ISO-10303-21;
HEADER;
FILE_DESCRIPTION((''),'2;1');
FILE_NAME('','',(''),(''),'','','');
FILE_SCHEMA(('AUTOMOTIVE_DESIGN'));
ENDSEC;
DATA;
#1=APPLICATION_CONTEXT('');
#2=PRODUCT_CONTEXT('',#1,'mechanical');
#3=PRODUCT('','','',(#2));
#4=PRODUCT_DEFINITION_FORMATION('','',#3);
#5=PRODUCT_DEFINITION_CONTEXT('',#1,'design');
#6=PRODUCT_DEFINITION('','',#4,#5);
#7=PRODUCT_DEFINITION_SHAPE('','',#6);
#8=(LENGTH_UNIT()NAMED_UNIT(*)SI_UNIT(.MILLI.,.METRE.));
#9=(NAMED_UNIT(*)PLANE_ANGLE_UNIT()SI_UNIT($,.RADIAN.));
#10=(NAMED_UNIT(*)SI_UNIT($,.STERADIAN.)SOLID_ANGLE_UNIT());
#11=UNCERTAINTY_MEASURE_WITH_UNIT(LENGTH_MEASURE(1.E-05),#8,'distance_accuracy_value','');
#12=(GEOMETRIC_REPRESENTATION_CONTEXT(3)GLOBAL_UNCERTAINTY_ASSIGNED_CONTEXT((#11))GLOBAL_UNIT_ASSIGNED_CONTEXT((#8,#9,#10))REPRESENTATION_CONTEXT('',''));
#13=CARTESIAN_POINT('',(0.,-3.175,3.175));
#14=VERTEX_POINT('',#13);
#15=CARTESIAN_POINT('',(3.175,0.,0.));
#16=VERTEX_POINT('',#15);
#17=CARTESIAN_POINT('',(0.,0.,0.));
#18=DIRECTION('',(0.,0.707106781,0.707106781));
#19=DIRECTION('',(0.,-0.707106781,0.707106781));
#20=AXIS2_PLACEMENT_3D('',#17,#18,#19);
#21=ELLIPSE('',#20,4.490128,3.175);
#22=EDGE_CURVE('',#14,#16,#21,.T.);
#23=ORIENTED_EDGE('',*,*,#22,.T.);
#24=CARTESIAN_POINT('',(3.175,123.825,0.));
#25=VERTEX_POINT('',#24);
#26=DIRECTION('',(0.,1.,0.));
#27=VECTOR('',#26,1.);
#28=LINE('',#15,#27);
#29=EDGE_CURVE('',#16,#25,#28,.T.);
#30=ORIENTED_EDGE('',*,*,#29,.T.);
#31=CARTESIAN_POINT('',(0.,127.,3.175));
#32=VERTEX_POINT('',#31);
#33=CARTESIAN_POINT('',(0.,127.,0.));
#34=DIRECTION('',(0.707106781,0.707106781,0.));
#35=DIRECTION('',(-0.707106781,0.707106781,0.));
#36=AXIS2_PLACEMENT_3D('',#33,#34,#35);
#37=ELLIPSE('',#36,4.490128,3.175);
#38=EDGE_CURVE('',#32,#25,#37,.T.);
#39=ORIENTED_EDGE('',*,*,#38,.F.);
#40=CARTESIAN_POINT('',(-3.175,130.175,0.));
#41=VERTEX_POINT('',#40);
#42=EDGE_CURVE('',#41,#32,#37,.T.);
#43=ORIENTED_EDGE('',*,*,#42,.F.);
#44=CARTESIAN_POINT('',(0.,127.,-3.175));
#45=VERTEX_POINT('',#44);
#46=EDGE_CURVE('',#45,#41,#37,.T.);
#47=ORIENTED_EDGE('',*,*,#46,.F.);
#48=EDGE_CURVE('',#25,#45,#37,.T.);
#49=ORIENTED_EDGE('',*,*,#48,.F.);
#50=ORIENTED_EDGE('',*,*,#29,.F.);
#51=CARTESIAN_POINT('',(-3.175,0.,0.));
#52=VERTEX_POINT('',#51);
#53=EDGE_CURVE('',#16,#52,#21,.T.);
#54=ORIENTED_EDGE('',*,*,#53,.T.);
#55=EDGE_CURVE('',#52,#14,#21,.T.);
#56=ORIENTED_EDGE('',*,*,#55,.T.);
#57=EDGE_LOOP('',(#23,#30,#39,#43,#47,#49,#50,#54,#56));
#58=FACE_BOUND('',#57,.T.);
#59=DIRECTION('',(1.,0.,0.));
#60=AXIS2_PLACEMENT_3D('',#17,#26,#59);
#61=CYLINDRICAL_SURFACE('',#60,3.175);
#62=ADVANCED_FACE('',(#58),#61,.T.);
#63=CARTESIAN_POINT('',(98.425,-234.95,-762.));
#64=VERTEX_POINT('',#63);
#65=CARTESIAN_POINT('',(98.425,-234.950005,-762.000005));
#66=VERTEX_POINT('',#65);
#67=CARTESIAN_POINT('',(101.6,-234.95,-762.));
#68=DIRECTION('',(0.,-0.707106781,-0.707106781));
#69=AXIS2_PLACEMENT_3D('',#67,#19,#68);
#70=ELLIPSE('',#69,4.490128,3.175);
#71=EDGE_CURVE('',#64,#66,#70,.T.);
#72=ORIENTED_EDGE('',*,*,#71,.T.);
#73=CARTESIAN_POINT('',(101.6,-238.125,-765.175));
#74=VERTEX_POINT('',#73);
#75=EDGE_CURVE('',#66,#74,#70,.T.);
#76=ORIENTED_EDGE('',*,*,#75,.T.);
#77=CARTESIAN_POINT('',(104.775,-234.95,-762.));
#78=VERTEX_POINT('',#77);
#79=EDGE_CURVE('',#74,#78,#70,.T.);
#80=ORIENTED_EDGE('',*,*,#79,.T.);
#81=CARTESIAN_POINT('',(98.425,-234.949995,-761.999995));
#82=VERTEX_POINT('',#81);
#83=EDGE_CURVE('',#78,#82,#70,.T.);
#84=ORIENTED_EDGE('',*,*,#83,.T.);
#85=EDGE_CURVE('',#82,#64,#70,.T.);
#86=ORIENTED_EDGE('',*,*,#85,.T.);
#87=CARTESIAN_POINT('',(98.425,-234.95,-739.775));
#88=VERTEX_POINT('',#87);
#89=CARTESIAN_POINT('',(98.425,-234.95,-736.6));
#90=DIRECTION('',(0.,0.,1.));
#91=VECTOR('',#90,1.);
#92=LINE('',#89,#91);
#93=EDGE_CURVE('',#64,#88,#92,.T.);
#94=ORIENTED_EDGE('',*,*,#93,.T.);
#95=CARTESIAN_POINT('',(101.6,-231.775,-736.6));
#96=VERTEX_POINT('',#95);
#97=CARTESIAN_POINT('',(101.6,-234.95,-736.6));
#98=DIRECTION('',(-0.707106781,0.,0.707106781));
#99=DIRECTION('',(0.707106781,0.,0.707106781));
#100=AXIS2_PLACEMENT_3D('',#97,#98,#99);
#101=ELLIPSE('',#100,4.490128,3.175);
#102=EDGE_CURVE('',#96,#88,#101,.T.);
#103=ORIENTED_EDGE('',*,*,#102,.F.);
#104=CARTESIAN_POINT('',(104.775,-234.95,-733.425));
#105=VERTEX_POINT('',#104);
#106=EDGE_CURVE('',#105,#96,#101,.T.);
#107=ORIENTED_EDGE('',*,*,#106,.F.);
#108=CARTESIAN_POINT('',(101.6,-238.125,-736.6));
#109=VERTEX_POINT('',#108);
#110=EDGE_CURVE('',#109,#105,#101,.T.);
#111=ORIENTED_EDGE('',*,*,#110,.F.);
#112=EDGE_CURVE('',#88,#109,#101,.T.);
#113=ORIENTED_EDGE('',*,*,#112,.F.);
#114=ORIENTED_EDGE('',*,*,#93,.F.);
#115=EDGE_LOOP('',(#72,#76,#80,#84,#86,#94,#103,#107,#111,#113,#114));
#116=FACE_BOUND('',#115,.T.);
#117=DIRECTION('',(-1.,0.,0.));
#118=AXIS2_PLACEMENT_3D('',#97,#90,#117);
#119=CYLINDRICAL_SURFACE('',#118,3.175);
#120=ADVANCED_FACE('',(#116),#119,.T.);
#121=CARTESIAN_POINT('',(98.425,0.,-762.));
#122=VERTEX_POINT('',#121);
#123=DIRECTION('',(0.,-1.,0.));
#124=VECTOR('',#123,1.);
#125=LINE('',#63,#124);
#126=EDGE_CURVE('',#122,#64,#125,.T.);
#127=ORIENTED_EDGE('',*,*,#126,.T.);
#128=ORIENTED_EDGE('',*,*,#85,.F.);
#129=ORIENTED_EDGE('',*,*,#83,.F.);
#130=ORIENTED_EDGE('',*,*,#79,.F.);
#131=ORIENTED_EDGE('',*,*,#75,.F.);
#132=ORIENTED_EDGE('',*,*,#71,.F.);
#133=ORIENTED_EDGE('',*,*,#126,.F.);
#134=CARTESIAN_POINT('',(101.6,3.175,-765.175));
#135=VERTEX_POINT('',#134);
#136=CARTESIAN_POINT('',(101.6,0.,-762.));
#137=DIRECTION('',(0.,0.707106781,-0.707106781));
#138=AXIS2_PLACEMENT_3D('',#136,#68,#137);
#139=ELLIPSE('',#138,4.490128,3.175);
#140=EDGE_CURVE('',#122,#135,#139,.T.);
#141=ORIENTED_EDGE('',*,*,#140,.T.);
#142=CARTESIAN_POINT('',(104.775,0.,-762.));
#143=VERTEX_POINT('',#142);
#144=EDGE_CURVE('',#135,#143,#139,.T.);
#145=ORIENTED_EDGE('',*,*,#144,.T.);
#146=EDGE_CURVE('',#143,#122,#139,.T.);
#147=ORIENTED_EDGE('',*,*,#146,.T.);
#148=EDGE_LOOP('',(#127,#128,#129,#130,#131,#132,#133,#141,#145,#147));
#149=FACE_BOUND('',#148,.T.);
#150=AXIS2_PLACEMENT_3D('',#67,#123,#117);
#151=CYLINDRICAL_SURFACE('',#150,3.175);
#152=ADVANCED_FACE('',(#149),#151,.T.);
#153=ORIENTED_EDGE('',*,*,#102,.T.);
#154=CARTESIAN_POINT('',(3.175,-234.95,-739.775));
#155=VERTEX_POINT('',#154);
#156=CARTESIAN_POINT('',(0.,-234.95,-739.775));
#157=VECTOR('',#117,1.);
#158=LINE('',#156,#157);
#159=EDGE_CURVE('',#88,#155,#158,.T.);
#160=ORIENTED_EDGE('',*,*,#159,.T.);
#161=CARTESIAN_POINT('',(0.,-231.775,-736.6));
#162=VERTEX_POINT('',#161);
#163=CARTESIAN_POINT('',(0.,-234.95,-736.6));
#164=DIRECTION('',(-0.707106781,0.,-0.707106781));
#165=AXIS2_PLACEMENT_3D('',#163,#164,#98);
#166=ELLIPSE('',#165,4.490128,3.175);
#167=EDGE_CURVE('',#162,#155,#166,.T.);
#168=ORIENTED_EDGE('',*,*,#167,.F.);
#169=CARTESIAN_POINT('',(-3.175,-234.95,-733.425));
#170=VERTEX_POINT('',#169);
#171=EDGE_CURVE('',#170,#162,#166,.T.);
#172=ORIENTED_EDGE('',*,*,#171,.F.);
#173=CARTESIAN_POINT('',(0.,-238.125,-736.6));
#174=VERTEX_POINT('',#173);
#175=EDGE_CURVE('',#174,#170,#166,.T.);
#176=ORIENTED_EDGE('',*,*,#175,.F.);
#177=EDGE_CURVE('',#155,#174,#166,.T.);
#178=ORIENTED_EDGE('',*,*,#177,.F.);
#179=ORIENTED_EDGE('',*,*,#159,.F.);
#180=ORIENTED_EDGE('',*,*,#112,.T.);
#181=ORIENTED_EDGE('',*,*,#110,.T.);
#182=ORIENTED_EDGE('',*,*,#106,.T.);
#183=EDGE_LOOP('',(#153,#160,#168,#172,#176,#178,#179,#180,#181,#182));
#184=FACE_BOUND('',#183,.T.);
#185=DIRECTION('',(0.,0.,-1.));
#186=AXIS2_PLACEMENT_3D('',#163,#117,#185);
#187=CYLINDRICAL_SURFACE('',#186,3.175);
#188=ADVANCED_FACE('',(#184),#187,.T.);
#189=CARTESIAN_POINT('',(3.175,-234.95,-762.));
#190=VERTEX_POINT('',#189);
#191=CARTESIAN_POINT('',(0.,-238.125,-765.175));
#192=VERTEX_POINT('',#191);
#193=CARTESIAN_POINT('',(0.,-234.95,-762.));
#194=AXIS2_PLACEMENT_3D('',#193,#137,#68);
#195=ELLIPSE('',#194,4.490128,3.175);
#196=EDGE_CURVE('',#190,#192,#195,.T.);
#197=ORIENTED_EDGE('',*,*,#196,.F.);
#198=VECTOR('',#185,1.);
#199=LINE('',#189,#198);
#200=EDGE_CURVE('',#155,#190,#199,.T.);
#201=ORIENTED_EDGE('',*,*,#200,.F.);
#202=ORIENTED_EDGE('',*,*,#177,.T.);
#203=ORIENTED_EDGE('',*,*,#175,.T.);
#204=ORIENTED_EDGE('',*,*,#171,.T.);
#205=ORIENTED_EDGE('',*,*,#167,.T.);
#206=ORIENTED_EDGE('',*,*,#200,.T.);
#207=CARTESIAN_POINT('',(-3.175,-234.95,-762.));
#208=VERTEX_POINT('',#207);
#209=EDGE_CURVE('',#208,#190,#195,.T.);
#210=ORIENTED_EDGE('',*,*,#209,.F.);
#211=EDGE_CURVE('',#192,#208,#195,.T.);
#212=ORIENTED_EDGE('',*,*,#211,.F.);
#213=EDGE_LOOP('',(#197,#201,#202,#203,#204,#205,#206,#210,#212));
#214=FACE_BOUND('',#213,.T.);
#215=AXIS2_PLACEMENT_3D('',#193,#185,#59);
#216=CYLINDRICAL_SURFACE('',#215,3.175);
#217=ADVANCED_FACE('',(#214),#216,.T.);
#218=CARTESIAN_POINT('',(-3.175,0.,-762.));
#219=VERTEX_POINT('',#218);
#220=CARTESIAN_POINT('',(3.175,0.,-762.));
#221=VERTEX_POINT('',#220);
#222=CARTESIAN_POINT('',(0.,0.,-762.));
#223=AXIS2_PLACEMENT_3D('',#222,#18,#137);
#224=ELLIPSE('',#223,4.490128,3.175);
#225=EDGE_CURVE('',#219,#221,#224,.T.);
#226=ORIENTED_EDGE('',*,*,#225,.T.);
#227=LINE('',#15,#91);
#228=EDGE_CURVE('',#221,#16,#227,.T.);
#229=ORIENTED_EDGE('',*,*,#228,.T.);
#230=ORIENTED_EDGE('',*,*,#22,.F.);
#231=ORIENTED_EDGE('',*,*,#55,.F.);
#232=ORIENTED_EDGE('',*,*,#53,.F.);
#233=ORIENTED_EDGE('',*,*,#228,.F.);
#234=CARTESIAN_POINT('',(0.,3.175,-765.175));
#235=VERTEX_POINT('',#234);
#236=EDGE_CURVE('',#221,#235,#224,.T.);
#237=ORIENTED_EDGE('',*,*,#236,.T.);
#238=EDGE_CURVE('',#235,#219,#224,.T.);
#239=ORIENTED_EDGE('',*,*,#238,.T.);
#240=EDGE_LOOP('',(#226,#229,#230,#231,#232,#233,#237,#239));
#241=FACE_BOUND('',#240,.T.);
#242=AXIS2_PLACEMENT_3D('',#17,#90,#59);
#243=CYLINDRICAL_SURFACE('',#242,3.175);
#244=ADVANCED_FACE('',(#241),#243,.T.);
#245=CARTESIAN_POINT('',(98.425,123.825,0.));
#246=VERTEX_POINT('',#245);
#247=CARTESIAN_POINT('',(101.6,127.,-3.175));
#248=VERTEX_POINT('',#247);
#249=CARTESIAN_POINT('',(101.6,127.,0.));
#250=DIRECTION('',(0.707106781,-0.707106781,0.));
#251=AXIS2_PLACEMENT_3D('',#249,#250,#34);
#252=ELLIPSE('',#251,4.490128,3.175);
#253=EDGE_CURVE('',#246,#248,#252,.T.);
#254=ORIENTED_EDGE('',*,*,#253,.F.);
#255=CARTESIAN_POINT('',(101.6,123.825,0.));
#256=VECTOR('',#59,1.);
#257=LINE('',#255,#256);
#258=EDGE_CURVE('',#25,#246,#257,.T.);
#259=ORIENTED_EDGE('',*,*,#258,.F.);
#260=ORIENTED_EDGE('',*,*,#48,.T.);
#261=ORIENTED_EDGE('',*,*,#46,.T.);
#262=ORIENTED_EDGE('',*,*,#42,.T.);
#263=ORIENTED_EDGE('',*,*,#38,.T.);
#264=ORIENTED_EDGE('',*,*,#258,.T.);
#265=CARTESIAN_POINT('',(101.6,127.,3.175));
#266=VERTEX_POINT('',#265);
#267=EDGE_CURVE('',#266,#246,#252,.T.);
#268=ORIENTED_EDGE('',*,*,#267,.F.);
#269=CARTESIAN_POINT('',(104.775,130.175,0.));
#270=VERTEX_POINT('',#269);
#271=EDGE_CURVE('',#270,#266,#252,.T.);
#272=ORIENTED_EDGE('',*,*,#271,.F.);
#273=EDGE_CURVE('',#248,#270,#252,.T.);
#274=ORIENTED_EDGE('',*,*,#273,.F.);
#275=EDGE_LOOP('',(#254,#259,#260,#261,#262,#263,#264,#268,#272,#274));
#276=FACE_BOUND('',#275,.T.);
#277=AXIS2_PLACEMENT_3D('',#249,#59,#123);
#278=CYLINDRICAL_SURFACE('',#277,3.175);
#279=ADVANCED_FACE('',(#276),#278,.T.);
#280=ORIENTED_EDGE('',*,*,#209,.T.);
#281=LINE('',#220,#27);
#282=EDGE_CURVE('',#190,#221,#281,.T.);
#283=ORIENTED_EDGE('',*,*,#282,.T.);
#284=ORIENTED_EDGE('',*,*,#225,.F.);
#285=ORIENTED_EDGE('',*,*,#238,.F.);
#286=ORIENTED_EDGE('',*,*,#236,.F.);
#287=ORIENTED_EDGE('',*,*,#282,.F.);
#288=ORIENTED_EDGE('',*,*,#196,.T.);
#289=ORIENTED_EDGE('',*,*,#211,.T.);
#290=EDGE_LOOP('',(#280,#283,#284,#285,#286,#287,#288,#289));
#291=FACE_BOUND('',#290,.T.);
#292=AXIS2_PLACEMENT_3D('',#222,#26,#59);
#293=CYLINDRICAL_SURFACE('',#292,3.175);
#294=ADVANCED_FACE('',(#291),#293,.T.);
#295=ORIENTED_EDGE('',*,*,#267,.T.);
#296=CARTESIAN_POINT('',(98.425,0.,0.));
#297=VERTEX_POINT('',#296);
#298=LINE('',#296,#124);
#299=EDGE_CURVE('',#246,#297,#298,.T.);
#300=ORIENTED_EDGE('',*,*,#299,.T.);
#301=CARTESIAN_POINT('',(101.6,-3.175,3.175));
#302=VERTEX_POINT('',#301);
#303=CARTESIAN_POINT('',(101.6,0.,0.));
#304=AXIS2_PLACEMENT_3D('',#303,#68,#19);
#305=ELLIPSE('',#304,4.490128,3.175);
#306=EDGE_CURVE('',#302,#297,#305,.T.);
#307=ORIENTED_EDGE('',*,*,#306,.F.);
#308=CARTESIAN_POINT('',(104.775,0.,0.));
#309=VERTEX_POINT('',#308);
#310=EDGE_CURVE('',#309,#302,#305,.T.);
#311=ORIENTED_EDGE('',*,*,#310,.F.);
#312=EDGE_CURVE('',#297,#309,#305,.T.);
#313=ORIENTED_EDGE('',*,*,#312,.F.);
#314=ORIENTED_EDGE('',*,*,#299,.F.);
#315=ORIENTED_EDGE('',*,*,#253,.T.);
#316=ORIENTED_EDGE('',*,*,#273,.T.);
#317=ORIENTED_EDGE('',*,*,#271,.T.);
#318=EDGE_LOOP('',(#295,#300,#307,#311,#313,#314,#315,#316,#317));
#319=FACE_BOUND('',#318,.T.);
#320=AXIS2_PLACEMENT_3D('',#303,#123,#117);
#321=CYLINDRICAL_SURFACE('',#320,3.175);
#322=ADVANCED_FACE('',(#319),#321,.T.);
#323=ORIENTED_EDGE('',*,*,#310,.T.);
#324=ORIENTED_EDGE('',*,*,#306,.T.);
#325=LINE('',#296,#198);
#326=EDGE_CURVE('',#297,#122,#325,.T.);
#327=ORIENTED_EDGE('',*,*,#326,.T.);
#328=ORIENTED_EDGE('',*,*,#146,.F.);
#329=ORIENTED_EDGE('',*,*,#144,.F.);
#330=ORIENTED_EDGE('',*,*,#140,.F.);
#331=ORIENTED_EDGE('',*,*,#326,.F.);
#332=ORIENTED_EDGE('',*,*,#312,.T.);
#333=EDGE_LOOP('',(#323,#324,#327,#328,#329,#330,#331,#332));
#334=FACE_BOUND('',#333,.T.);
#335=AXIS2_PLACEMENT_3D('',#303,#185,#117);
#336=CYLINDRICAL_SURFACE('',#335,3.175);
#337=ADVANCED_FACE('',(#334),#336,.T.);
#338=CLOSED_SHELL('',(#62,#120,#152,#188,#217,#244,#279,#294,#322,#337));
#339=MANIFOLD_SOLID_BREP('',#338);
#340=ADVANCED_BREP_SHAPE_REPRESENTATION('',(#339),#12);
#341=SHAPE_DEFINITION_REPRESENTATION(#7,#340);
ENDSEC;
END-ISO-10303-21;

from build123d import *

# Parameters (mm, degrees)
F0_R = 3.175


with BuildPart() as f7:
    # F7: sweep along a path in F1, F2, F4, F6, F4, F2, F1
    with BuildLine(Plane.XY) as f7_path:
        Line((0, 0), (0, 127))
    with BuildLine(Plane.XZ) as f7_path_2:
        Line((0, 0), (0, -762))
    with BuildLine(Plane.XY.offset(-762)) as f7_path_3:
        Line((0, 0), (0, -234.95))
    with BuildLine(Plane.XZ.offset(234.95)) as f7_path_4:
        Line((0, -762), (0, -736.6))
        Line((0, -736.6), (101.6, -736.6))
        Line((101.6, -736.6), (101.6, -762))
    with BuildLine(Plane.XY.offset(-762)) as f7_path_5:
        Line((101.6, -234.95), (101.6, 0))
    with BuildLine(Plane.XZ) as f7_path_6:
        Line((101.6, 0), (101.6, -762))
    with BuildLine(Plane.XY) as f7_path_7:
        Line((101.6, 0), (101.6, 127))
        Line((101.6, 127), (0, 127))
    # F0 (on Front) → F7 (sweep)
    with BuildSketch(Plane.XZ):
        Circle(F0_R)
    sweep(path=f7_path.line + f7_path_2.line + f7_path_3.line + f7_path_4.line + f7_path_5.line + f7_path_6.line + f7_path_7.line, transition=Transition.RIGHT)


solid = f7.part
